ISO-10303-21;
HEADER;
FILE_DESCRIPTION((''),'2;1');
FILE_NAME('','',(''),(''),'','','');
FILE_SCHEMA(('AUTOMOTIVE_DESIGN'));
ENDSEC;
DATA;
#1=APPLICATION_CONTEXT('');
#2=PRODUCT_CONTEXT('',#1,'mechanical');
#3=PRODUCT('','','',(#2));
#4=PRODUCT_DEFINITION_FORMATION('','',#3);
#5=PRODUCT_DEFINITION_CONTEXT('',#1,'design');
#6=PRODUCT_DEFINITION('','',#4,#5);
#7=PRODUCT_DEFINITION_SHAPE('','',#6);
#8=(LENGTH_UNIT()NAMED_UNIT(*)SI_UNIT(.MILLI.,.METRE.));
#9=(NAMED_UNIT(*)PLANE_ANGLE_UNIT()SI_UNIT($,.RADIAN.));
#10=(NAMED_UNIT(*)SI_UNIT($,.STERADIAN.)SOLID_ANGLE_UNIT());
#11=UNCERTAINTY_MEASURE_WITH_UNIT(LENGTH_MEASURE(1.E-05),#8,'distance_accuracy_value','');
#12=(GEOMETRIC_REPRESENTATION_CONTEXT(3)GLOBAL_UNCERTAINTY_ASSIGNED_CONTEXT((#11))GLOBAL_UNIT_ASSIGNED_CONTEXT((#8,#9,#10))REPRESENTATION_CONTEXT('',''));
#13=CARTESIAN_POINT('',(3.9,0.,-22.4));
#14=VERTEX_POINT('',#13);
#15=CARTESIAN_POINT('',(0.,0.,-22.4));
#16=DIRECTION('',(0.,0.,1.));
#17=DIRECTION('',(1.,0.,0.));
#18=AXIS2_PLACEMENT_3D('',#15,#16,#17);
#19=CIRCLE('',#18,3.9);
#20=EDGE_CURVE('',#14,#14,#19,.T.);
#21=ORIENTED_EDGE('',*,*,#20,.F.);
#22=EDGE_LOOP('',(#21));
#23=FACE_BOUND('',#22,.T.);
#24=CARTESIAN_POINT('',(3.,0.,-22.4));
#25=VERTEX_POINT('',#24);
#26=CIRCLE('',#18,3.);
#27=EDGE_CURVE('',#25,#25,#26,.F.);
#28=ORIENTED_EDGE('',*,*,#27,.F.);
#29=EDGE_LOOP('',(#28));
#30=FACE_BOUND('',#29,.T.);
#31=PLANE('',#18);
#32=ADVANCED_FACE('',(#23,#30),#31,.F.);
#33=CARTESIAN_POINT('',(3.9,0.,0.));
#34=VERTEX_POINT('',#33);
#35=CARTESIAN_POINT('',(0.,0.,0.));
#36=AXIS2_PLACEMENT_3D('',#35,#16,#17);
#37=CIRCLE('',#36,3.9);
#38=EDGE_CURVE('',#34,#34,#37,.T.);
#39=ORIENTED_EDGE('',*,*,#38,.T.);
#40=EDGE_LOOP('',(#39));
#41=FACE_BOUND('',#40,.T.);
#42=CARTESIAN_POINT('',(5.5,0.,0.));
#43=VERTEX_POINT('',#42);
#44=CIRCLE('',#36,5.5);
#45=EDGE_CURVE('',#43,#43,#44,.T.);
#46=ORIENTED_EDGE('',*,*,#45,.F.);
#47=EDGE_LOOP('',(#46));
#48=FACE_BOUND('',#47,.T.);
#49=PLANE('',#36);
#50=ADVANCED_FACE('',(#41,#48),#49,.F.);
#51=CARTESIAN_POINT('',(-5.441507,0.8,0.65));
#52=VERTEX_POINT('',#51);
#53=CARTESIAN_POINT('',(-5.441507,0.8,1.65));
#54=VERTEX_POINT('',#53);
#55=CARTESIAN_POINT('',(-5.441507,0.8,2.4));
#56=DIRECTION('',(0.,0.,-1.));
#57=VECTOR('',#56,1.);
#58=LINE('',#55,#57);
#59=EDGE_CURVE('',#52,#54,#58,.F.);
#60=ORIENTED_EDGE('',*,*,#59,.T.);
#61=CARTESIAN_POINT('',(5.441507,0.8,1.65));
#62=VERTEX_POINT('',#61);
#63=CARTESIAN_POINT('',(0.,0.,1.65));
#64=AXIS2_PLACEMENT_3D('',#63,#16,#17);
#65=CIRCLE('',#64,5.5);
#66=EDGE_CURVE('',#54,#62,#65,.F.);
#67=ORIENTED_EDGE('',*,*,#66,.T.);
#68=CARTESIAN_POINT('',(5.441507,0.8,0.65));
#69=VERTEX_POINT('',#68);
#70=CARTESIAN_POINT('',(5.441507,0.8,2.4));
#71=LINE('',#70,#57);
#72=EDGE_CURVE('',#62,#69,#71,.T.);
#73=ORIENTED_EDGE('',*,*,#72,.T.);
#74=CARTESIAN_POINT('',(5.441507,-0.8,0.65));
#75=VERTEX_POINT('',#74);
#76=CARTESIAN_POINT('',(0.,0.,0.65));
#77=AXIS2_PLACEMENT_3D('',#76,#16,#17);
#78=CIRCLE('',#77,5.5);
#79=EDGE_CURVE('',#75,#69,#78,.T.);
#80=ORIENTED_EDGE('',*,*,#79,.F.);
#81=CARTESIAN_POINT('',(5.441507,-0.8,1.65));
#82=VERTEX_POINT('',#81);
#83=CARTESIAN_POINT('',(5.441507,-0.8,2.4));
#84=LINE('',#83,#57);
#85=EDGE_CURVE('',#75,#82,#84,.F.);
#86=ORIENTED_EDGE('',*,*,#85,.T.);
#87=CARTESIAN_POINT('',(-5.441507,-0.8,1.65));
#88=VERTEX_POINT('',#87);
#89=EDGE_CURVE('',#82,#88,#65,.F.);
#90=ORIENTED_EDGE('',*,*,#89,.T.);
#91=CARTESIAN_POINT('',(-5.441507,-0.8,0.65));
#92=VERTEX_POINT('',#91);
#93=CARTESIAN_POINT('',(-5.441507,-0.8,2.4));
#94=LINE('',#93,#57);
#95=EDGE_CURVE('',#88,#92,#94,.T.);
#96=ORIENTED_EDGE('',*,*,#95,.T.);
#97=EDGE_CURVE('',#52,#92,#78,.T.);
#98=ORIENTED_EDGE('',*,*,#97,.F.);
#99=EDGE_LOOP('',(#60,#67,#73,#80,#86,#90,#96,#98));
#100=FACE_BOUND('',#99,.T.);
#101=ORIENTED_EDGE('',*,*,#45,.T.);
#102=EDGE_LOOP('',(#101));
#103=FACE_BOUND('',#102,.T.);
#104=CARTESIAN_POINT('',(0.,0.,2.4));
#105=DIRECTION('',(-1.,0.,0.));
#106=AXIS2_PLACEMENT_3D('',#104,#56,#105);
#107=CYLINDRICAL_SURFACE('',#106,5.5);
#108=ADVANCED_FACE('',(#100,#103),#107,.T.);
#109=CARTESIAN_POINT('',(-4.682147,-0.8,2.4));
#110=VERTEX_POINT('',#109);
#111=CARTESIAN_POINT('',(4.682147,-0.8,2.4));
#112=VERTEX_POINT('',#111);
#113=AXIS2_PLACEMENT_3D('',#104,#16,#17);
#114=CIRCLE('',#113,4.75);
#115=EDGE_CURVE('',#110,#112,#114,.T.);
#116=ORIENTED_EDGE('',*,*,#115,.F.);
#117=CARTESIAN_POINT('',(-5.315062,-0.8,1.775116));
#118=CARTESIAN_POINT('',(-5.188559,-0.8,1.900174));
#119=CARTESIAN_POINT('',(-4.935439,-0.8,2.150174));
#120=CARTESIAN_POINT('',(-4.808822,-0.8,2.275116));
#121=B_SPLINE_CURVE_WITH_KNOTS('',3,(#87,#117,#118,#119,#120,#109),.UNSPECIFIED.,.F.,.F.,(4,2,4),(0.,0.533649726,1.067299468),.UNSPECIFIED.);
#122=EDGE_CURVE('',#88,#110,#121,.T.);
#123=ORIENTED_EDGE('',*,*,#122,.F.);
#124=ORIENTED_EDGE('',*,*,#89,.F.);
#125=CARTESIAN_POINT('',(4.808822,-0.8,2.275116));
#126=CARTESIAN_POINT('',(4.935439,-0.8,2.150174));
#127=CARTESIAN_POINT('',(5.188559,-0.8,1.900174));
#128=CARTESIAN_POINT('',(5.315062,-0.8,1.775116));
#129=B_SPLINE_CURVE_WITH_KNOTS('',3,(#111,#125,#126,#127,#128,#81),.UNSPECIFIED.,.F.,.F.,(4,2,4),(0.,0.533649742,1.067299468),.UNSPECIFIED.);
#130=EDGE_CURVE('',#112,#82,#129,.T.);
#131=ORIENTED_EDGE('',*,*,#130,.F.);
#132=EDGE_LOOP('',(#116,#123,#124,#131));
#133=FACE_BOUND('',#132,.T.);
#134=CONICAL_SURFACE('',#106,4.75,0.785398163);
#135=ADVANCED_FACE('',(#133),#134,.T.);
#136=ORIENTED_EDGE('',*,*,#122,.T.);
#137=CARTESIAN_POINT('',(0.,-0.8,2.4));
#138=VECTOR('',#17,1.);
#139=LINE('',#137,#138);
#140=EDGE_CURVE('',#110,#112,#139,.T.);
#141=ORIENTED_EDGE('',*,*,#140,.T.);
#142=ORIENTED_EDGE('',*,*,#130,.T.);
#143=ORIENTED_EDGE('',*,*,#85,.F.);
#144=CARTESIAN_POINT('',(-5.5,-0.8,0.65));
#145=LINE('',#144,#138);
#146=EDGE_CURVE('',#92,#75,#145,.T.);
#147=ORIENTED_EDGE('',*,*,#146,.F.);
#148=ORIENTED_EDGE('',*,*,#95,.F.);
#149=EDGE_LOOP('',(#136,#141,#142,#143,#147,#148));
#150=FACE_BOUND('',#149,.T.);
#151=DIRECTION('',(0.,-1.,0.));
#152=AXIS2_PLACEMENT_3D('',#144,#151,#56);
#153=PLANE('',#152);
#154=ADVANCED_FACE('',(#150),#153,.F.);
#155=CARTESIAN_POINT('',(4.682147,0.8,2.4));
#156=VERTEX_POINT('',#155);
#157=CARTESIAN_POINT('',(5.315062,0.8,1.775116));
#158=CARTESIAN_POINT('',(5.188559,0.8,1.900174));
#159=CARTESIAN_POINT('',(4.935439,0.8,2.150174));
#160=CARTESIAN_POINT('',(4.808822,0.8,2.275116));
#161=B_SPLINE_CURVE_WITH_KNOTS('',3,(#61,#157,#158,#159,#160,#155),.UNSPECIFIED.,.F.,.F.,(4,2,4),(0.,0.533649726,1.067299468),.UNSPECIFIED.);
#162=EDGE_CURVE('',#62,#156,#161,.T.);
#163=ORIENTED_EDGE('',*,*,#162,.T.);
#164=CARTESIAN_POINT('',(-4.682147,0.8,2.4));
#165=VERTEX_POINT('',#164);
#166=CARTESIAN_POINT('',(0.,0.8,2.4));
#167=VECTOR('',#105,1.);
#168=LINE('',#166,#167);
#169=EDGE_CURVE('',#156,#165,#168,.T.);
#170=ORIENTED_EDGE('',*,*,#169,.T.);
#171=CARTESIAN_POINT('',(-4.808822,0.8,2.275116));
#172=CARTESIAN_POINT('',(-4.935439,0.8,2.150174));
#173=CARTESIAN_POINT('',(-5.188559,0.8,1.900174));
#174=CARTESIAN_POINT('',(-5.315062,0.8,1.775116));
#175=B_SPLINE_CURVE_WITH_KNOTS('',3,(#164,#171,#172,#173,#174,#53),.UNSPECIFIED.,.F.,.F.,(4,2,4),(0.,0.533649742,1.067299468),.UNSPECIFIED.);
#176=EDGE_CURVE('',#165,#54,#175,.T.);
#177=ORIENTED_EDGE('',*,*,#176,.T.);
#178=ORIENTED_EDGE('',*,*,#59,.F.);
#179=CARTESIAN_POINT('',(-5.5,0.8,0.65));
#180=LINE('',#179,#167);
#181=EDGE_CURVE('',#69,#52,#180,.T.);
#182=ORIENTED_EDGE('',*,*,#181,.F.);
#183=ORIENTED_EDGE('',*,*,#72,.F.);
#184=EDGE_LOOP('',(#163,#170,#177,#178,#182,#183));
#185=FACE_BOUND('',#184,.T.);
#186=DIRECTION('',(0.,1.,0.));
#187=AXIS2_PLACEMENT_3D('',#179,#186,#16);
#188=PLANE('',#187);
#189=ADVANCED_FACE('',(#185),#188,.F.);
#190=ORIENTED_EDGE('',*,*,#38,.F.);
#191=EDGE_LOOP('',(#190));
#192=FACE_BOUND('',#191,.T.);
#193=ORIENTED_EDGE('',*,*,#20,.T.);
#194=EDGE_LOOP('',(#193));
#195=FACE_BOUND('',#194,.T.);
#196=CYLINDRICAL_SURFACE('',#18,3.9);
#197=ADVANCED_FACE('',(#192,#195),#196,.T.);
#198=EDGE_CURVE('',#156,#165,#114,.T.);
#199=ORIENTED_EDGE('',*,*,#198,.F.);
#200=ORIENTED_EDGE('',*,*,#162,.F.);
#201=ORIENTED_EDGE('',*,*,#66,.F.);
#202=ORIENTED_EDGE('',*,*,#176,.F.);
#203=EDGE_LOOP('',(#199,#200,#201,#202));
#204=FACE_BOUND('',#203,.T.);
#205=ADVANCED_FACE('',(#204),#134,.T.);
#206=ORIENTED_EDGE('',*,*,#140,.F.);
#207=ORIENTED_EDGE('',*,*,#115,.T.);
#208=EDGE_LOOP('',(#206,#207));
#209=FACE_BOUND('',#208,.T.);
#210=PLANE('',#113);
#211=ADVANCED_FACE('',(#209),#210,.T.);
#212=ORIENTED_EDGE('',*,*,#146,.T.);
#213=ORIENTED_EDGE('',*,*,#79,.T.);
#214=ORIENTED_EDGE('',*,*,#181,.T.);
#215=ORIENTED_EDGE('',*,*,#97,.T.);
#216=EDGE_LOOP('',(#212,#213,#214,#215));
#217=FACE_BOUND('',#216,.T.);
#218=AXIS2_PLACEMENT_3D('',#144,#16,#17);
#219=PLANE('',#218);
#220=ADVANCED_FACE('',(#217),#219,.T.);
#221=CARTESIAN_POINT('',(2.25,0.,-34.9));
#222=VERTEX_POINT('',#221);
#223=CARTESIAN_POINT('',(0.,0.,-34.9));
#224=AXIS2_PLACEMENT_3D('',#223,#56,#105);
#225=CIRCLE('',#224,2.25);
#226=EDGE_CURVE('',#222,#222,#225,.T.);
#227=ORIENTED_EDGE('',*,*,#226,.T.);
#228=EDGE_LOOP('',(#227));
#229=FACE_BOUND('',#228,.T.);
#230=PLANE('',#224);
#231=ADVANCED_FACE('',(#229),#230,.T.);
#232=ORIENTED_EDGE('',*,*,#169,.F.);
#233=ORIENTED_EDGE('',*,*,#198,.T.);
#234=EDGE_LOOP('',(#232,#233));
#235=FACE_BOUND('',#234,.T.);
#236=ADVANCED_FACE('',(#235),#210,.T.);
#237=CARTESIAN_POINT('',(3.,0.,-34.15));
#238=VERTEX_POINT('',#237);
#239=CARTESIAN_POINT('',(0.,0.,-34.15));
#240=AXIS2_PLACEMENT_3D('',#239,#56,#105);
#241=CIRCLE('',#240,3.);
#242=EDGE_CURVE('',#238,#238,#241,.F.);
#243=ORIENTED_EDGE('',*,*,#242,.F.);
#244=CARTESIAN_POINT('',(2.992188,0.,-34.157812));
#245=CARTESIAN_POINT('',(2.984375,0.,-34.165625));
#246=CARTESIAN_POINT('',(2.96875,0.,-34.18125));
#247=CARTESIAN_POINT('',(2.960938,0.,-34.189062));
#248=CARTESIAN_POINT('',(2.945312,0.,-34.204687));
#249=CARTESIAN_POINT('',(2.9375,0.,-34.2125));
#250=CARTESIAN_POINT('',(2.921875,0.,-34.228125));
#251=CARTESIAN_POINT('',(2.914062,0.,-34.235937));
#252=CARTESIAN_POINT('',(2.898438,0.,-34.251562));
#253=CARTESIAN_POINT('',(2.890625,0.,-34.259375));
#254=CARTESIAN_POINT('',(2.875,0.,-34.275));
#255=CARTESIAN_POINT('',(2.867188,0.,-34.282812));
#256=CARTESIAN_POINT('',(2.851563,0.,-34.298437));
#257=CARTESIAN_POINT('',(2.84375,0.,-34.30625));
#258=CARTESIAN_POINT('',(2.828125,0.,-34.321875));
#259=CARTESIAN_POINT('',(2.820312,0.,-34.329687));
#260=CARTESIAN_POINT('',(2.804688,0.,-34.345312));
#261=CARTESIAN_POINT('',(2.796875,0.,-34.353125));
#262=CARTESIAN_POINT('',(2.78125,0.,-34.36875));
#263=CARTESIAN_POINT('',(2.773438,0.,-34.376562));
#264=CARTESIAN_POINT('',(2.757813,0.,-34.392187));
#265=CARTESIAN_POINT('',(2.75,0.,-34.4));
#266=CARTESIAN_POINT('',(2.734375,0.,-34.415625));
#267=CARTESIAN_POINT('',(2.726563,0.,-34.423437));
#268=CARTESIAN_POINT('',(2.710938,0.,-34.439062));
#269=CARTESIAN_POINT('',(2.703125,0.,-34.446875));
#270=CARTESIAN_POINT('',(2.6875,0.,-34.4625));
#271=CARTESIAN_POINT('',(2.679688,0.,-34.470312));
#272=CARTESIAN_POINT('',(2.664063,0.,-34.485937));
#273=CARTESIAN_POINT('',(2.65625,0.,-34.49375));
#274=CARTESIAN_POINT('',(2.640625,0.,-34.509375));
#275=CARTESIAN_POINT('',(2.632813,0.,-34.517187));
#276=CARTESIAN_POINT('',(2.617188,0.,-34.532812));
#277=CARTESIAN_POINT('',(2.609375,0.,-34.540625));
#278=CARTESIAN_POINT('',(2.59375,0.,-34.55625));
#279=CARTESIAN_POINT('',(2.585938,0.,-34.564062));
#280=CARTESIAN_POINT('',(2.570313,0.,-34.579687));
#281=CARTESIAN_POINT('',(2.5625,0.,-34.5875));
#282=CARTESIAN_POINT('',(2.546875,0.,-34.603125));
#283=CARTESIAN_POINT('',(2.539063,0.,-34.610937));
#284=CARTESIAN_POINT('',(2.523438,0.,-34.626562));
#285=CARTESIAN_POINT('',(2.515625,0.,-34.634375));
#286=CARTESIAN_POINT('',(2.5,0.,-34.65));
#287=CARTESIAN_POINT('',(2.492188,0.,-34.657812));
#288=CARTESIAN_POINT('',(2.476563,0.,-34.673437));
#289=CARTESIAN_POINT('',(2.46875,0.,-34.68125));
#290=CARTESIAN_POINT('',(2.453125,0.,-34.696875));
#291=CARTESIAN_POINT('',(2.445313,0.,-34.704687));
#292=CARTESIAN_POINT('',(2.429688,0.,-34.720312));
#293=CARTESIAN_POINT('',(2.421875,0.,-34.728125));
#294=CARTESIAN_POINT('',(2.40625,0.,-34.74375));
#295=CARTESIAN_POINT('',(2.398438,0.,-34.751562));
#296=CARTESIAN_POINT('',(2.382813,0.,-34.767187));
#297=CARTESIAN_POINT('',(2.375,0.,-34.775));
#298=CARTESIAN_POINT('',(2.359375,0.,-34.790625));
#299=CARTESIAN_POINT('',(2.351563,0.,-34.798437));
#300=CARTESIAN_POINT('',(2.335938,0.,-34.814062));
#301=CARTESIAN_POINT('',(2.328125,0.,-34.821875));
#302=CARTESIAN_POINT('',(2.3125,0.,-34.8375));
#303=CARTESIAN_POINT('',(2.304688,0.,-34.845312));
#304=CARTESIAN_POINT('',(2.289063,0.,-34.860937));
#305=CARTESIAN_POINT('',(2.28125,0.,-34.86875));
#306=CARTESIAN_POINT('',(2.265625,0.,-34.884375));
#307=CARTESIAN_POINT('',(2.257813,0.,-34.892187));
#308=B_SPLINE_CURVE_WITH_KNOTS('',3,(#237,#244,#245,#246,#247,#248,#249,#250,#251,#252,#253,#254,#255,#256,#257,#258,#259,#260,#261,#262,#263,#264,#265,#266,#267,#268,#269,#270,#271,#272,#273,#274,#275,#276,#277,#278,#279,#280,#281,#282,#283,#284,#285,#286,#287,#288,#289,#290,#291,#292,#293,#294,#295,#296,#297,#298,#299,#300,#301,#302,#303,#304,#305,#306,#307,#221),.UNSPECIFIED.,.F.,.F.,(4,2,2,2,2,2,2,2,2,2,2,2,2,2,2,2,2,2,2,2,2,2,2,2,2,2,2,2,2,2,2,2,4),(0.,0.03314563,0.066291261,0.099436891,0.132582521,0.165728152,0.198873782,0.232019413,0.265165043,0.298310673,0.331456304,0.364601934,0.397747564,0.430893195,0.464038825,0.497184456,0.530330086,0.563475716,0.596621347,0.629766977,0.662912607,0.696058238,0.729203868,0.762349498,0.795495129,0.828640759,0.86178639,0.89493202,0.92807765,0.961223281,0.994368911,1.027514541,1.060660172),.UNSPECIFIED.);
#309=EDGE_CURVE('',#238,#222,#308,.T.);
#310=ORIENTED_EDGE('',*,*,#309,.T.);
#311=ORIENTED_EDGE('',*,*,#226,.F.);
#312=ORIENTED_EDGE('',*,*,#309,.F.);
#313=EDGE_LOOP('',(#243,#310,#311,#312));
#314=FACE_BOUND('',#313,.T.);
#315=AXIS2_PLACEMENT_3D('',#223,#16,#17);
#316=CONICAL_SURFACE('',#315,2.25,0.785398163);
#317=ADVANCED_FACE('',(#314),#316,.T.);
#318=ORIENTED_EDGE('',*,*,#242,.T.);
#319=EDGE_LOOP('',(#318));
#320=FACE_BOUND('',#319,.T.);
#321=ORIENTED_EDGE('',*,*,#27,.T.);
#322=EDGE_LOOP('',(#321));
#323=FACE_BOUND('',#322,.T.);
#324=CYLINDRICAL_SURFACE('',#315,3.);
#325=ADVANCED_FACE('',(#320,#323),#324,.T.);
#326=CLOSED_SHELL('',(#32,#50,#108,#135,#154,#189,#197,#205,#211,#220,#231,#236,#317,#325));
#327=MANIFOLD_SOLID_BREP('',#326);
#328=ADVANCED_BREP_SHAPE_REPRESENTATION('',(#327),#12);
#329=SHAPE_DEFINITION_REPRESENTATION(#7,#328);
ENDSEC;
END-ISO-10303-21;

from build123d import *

# Parameters (mm, degrees)
SKETCH1_R          = 3.9
EXTRUDE1_DEPTH     = 22.4
SKETCH2_R          = 3
EXTRUDE2_DEPTH     = 12.5
SKETCH3_R          = 5.5
EXTRUDE3_DEPTH     = 2.4
CHAMFER1_SIZE      = 0.75
SKETCH4_W          = 11
SKETCH4_H          = 1.6
CUT_EXTRUDE1_DEPTH = 1.75
CHAMFER2_SIZE      = 0.75


with BuildPart() as part:
    # Sketch1 → Extrude1 (new body)
    with BuildSketch(Plane.XY):
        Circle(SKETCH1_R)
    extrude(amount=-EXTRUDE1_DEPTH)

    # Sketch2 → Extrude2 (add)
    with BuildSketch(Plane(origin=(0, 0, -22.4), x_dir=(-1, 0, 0), z_dir=(0, 0, -1))):
        with Locations(Location((0, 0, 0), (0, 0, 180))):
            Circle(SKETCH2_R)
    extrude(amount=EXTRUDE2_DEPTH)

    # Sketch3 → Extrude3 (add)
    with BuildSketch(Plane.XY):
        Circle(SKETCH3_R)
    extrude(amount=EXTRUDE3_DEPTH)

    # Chamfer1
    chamfer1_edges = [part.edges().sort_by_distance(p)[0] for p in [
        (-3, 0, -34.9),
    ]]
    chamfer(chamfer1_edges, length=CHAMFER1_SIZE)

    # Sketch4 → Cut-Extrude1 (cut)
    with BuildSketch(Plane.XY.offset(2.4)):
        Rectangle(SKETCH4_W, SKETCH4_H)
    extrude(amount=-CUT_EXTRUDE1_DEPTH, mode=Mode.SUBTRACT)

    # Chamfer2
    chamfer2_edges = [part.edges().sort_by_distance(p)[0] for p in [
        (0, 5.5, 2.4),
        (0, -5.5, 2.4),
    ]]
    chamfer(chamfer2_edges, length=CHAMFER2_SIZE)


solid = part.part
